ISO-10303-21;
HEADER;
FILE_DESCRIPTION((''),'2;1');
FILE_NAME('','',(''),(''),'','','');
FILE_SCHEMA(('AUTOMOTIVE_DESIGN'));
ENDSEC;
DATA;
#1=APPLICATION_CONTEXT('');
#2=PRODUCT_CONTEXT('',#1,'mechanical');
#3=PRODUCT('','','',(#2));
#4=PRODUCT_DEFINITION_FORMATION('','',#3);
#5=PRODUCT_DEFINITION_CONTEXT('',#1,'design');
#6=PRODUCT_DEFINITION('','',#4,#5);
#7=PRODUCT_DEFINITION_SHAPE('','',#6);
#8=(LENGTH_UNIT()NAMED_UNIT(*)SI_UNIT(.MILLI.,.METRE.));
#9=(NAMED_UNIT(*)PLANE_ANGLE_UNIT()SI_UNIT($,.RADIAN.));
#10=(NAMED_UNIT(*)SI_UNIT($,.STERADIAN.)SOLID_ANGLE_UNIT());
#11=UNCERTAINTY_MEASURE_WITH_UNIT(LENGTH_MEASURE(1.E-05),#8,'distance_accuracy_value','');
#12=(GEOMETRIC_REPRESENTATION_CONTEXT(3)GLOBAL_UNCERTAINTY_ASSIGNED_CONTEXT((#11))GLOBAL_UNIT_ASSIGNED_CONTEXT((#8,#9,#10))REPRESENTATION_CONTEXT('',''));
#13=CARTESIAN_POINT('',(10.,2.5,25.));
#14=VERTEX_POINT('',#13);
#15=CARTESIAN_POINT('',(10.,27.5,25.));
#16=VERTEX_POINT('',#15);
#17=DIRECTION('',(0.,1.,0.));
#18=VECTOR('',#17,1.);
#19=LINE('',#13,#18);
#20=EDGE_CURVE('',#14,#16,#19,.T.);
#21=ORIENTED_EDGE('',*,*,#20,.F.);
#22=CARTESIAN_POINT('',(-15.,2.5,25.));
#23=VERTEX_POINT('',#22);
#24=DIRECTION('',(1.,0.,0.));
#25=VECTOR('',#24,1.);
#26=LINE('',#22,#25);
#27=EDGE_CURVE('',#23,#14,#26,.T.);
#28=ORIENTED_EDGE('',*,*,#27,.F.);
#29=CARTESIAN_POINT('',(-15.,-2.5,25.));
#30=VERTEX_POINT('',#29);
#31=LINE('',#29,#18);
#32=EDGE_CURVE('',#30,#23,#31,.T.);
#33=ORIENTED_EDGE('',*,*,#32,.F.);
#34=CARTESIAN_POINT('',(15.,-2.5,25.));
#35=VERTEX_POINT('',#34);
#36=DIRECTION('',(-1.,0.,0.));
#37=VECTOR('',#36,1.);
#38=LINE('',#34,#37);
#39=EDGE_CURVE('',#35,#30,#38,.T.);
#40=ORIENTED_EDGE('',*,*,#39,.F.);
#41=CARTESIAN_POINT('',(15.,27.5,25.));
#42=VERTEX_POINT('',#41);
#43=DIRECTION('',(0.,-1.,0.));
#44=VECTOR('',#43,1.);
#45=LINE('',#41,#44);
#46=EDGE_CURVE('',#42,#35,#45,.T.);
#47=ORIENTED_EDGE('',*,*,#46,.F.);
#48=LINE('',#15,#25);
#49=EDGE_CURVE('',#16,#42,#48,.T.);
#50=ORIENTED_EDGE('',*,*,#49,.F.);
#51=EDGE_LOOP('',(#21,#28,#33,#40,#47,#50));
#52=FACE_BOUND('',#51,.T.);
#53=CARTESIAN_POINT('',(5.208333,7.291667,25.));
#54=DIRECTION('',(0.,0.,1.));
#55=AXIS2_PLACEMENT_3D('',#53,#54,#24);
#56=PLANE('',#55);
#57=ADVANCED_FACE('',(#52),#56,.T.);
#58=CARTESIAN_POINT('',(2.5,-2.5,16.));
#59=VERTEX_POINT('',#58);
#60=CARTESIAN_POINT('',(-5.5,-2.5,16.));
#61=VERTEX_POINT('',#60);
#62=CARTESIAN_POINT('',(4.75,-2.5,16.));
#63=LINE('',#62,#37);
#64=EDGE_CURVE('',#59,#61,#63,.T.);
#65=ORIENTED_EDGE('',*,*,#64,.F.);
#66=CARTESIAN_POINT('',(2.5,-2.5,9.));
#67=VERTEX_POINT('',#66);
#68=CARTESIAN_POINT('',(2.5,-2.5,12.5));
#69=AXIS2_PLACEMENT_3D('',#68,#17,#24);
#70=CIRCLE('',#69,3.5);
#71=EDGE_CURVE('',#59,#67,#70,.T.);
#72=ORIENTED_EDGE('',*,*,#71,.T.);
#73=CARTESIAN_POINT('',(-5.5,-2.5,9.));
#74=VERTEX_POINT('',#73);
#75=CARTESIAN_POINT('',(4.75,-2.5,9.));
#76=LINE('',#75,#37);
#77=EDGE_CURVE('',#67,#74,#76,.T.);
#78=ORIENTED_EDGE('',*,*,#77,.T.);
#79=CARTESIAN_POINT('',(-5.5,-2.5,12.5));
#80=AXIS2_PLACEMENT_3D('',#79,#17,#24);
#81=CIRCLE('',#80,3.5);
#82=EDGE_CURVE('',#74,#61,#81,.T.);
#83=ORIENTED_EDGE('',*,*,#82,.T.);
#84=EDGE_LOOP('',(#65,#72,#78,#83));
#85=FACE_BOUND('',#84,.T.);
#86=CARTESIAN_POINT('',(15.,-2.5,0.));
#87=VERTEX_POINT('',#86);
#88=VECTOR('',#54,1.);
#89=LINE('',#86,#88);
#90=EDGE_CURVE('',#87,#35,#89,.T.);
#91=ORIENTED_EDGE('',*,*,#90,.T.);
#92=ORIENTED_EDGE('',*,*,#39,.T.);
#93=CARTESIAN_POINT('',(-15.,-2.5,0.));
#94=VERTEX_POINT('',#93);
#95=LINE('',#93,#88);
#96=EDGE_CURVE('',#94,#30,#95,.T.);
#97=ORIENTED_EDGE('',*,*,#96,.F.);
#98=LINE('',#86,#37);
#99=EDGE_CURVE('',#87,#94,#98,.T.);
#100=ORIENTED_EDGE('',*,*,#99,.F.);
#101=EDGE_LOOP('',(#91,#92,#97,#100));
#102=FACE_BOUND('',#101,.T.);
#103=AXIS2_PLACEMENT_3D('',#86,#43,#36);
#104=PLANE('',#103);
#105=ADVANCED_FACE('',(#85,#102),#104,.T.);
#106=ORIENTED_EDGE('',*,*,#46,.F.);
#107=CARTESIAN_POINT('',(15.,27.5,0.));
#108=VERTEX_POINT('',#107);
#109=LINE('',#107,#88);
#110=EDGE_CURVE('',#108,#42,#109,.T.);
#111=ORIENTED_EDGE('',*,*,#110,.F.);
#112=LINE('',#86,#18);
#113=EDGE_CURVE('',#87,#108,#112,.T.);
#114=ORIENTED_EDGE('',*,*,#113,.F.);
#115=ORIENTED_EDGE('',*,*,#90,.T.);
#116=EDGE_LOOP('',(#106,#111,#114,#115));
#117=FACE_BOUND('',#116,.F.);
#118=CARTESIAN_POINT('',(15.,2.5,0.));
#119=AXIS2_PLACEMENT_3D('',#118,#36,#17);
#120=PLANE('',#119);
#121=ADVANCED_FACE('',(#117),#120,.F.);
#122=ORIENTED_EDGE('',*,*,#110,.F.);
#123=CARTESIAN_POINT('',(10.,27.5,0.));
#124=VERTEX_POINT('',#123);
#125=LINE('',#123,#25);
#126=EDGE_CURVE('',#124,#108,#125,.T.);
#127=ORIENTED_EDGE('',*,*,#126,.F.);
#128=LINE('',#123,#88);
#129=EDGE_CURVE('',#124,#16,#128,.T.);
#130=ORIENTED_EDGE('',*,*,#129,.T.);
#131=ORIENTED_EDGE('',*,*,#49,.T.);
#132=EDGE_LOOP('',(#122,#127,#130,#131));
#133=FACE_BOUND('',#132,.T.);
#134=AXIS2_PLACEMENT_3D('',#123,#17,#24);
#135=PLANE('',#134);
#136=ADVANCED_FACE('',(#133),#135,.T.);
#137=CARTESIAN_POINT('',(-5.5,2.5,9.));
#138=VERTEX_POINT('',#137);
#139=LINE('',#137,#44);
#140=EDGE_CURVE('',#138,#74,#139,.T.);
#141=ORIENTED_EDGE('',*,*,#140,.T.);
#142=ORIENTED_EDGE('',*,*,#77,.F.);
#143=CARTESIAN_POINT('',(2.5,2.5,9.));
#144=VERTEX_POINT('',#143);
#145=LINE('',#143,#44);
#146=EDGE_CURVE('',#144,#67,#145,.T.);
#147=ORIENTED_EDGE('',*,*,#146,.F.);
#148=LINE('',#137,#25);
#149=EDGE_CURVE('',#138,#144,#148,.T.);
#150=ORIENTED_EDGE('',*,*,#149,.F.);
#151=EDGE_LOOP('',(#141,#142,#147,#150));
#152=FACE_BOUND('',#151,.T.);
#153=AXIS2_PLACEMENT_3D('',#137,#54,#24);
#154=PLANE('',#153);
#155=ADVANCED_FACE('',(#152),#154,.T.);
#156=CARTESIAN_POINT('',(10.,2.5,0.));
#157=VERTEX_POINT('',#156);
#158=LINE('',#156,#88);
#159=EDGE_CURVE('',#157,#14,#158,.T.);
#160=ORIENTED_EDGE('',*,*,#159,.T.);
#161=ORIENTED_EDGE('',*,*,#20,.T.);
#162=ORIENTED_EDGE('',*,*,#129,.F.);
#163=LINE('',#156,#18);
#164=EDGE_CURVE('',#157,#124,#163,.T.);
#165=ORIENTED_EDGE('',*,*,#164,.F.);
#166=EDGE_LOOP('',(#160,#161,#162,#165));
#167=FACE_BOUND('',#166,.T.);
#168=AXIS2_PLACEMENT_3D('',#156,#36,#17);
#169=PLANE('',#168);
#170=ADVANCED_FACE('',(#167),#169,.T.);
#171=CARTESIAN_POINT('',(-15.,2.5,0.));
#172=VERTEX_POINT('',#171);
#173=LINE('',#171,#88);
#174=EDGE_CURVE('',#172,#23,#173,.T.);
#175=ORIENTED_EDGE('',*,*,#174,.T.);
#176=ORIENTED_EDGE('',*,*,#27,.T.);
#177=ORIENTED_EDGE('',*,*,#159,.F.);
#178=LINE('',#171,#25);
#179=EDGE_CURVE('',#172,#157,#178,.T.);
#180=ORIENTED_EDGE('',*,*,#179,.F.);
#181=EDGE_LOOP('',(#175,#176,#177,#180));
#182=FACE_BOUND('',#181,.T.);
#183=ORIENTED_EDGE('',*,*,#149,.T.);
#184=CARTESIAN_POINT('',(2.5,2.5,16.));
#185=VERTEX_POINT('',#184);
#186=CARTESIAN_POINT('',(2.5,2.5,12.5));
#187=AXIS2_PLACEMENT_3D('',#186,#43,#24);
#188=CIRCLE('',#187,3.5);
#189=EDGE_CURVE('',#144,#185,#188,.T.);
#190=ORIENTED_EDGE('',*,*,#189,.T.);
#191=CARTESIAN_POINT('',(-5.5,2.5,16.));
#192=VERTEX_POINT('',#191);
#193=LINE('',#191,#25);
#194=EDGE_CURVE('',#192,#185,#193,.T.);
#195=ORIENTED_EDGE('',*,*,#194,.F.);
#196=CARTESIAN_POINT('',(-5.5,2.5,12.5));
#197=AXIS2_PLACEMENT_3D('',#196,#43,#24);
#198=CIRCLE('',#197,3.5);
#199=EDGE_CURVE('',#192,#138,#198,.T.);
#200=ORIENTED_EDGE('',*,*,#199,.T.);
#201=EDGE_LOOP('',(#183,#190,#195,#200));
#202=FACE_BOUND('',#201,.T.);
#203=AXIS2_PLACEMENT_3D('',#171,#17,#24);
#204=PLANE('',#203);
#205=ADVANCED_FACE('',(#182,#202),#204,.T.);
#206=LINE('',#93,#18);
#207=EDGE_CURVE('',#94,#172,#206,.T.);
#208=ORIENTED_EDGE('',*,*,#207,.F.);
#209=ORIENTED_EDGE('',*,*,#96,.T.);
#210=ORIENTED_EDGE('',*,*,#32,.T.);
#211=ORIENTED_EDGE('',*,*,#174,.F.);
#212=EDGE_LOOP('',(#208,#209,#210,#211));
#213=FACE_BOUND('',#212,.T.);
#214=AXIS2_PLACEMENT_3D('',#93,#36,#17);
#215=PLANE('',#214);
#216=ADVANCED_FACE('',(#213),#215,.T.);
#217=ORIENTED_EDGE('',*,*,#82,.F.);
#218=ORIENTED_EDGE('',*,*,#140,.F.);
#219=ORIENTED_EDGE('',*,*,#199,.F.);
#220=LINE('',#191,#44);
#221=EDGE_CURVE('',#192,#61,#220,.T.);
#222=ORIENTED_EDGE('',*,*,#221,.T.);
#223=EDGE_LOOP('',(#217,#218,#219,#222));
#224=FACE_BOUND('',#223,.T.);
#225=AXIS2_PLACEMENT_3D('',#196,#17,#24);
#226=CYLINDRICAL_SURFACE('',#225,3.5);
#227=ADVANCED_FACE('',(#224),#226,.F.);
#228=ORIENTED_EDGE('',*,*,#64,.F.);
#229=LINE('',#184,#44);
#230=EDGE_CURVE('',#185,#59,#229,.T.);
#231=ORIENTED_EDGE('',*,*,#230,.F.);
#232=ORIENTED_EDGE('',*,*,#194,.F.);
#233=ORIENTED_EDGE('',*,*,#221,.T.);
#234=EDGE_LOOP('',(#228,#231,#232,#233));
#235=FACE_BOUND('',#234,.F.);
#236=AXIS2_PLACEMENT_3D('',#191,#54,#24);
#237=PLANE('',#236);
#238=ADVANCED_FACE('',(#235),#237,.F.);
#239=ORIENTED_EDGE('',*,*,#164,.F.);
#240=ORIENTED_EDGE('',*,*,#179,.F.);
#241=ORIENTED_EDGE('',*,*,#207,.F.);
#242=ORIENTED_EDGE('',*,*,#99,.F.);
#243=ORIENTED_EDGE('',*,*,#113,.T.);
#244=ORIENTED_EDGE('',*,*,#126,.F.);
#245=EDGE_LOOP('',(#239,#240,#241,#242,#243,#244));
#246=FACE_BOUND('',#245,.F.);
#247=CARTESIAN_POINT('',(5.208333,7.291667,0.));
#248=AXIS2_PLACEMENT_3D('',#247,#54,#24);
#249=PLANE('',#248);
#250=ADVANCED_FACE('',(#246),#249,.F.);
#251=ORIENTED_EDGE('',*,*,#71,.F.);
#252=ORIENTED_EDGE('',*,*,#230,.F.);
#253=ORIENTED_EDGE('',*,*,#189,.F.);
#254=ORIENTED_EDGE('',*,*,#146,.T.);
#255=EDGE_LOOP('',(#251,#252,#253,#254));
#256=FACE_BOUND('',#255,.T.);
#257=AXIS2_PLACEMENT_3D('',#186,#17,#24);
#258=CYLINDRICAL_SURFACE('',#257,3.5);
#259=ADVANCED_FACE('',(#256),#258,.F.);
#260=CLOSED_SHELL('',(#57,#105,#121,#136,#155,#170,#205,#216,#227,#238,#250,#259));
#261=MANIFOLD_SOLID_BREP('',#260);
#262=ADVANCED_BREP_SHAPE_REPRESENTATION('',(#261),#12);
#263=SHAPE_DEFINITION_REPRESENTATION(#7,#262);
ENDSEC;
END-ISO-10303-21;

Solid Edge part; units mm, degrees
sketch "Sketch1" plane through (0, 0, 0) normal (0, 0, 1) x (1, 0, 0)
  line L0 (15, 2.5) -> (15, 27.5)
  line L1 (10, 27.5) -> (15, 27.5)
  line L2 (10, 2.5) -> (10, 27.5)
  line L3 (-15, 2.5) -> (10, 2.5)
  line L4 (-15, -2.5) -> (-15, 2.5)
  line L5 (15, -2.5) -> (-15, -2.5)
  line L6 (15, 2.5) -> (15, -2.5)
extrude "Protrusion1" add sketch "Sketch1" along normal blind 25
sketch "Sketch2" plane through (-2.5, 2.5, 12.5) normal (0, 1, 0) x (1, 0, 0)
  line L0 (-3, 3.5) -> (5, 3.5)
  line L1 (-3, -3.5) -> (5, -3.5)
  arc A0 (5, 3.5) -> (5, -3.5) centre (5, 0) cw
  arc A1 (-3, -3.5) -> (-3, 3.5) centre (-3, 0) cw
extrude "Cutout1" cut sketch "Sketch2" against normal blind 30
